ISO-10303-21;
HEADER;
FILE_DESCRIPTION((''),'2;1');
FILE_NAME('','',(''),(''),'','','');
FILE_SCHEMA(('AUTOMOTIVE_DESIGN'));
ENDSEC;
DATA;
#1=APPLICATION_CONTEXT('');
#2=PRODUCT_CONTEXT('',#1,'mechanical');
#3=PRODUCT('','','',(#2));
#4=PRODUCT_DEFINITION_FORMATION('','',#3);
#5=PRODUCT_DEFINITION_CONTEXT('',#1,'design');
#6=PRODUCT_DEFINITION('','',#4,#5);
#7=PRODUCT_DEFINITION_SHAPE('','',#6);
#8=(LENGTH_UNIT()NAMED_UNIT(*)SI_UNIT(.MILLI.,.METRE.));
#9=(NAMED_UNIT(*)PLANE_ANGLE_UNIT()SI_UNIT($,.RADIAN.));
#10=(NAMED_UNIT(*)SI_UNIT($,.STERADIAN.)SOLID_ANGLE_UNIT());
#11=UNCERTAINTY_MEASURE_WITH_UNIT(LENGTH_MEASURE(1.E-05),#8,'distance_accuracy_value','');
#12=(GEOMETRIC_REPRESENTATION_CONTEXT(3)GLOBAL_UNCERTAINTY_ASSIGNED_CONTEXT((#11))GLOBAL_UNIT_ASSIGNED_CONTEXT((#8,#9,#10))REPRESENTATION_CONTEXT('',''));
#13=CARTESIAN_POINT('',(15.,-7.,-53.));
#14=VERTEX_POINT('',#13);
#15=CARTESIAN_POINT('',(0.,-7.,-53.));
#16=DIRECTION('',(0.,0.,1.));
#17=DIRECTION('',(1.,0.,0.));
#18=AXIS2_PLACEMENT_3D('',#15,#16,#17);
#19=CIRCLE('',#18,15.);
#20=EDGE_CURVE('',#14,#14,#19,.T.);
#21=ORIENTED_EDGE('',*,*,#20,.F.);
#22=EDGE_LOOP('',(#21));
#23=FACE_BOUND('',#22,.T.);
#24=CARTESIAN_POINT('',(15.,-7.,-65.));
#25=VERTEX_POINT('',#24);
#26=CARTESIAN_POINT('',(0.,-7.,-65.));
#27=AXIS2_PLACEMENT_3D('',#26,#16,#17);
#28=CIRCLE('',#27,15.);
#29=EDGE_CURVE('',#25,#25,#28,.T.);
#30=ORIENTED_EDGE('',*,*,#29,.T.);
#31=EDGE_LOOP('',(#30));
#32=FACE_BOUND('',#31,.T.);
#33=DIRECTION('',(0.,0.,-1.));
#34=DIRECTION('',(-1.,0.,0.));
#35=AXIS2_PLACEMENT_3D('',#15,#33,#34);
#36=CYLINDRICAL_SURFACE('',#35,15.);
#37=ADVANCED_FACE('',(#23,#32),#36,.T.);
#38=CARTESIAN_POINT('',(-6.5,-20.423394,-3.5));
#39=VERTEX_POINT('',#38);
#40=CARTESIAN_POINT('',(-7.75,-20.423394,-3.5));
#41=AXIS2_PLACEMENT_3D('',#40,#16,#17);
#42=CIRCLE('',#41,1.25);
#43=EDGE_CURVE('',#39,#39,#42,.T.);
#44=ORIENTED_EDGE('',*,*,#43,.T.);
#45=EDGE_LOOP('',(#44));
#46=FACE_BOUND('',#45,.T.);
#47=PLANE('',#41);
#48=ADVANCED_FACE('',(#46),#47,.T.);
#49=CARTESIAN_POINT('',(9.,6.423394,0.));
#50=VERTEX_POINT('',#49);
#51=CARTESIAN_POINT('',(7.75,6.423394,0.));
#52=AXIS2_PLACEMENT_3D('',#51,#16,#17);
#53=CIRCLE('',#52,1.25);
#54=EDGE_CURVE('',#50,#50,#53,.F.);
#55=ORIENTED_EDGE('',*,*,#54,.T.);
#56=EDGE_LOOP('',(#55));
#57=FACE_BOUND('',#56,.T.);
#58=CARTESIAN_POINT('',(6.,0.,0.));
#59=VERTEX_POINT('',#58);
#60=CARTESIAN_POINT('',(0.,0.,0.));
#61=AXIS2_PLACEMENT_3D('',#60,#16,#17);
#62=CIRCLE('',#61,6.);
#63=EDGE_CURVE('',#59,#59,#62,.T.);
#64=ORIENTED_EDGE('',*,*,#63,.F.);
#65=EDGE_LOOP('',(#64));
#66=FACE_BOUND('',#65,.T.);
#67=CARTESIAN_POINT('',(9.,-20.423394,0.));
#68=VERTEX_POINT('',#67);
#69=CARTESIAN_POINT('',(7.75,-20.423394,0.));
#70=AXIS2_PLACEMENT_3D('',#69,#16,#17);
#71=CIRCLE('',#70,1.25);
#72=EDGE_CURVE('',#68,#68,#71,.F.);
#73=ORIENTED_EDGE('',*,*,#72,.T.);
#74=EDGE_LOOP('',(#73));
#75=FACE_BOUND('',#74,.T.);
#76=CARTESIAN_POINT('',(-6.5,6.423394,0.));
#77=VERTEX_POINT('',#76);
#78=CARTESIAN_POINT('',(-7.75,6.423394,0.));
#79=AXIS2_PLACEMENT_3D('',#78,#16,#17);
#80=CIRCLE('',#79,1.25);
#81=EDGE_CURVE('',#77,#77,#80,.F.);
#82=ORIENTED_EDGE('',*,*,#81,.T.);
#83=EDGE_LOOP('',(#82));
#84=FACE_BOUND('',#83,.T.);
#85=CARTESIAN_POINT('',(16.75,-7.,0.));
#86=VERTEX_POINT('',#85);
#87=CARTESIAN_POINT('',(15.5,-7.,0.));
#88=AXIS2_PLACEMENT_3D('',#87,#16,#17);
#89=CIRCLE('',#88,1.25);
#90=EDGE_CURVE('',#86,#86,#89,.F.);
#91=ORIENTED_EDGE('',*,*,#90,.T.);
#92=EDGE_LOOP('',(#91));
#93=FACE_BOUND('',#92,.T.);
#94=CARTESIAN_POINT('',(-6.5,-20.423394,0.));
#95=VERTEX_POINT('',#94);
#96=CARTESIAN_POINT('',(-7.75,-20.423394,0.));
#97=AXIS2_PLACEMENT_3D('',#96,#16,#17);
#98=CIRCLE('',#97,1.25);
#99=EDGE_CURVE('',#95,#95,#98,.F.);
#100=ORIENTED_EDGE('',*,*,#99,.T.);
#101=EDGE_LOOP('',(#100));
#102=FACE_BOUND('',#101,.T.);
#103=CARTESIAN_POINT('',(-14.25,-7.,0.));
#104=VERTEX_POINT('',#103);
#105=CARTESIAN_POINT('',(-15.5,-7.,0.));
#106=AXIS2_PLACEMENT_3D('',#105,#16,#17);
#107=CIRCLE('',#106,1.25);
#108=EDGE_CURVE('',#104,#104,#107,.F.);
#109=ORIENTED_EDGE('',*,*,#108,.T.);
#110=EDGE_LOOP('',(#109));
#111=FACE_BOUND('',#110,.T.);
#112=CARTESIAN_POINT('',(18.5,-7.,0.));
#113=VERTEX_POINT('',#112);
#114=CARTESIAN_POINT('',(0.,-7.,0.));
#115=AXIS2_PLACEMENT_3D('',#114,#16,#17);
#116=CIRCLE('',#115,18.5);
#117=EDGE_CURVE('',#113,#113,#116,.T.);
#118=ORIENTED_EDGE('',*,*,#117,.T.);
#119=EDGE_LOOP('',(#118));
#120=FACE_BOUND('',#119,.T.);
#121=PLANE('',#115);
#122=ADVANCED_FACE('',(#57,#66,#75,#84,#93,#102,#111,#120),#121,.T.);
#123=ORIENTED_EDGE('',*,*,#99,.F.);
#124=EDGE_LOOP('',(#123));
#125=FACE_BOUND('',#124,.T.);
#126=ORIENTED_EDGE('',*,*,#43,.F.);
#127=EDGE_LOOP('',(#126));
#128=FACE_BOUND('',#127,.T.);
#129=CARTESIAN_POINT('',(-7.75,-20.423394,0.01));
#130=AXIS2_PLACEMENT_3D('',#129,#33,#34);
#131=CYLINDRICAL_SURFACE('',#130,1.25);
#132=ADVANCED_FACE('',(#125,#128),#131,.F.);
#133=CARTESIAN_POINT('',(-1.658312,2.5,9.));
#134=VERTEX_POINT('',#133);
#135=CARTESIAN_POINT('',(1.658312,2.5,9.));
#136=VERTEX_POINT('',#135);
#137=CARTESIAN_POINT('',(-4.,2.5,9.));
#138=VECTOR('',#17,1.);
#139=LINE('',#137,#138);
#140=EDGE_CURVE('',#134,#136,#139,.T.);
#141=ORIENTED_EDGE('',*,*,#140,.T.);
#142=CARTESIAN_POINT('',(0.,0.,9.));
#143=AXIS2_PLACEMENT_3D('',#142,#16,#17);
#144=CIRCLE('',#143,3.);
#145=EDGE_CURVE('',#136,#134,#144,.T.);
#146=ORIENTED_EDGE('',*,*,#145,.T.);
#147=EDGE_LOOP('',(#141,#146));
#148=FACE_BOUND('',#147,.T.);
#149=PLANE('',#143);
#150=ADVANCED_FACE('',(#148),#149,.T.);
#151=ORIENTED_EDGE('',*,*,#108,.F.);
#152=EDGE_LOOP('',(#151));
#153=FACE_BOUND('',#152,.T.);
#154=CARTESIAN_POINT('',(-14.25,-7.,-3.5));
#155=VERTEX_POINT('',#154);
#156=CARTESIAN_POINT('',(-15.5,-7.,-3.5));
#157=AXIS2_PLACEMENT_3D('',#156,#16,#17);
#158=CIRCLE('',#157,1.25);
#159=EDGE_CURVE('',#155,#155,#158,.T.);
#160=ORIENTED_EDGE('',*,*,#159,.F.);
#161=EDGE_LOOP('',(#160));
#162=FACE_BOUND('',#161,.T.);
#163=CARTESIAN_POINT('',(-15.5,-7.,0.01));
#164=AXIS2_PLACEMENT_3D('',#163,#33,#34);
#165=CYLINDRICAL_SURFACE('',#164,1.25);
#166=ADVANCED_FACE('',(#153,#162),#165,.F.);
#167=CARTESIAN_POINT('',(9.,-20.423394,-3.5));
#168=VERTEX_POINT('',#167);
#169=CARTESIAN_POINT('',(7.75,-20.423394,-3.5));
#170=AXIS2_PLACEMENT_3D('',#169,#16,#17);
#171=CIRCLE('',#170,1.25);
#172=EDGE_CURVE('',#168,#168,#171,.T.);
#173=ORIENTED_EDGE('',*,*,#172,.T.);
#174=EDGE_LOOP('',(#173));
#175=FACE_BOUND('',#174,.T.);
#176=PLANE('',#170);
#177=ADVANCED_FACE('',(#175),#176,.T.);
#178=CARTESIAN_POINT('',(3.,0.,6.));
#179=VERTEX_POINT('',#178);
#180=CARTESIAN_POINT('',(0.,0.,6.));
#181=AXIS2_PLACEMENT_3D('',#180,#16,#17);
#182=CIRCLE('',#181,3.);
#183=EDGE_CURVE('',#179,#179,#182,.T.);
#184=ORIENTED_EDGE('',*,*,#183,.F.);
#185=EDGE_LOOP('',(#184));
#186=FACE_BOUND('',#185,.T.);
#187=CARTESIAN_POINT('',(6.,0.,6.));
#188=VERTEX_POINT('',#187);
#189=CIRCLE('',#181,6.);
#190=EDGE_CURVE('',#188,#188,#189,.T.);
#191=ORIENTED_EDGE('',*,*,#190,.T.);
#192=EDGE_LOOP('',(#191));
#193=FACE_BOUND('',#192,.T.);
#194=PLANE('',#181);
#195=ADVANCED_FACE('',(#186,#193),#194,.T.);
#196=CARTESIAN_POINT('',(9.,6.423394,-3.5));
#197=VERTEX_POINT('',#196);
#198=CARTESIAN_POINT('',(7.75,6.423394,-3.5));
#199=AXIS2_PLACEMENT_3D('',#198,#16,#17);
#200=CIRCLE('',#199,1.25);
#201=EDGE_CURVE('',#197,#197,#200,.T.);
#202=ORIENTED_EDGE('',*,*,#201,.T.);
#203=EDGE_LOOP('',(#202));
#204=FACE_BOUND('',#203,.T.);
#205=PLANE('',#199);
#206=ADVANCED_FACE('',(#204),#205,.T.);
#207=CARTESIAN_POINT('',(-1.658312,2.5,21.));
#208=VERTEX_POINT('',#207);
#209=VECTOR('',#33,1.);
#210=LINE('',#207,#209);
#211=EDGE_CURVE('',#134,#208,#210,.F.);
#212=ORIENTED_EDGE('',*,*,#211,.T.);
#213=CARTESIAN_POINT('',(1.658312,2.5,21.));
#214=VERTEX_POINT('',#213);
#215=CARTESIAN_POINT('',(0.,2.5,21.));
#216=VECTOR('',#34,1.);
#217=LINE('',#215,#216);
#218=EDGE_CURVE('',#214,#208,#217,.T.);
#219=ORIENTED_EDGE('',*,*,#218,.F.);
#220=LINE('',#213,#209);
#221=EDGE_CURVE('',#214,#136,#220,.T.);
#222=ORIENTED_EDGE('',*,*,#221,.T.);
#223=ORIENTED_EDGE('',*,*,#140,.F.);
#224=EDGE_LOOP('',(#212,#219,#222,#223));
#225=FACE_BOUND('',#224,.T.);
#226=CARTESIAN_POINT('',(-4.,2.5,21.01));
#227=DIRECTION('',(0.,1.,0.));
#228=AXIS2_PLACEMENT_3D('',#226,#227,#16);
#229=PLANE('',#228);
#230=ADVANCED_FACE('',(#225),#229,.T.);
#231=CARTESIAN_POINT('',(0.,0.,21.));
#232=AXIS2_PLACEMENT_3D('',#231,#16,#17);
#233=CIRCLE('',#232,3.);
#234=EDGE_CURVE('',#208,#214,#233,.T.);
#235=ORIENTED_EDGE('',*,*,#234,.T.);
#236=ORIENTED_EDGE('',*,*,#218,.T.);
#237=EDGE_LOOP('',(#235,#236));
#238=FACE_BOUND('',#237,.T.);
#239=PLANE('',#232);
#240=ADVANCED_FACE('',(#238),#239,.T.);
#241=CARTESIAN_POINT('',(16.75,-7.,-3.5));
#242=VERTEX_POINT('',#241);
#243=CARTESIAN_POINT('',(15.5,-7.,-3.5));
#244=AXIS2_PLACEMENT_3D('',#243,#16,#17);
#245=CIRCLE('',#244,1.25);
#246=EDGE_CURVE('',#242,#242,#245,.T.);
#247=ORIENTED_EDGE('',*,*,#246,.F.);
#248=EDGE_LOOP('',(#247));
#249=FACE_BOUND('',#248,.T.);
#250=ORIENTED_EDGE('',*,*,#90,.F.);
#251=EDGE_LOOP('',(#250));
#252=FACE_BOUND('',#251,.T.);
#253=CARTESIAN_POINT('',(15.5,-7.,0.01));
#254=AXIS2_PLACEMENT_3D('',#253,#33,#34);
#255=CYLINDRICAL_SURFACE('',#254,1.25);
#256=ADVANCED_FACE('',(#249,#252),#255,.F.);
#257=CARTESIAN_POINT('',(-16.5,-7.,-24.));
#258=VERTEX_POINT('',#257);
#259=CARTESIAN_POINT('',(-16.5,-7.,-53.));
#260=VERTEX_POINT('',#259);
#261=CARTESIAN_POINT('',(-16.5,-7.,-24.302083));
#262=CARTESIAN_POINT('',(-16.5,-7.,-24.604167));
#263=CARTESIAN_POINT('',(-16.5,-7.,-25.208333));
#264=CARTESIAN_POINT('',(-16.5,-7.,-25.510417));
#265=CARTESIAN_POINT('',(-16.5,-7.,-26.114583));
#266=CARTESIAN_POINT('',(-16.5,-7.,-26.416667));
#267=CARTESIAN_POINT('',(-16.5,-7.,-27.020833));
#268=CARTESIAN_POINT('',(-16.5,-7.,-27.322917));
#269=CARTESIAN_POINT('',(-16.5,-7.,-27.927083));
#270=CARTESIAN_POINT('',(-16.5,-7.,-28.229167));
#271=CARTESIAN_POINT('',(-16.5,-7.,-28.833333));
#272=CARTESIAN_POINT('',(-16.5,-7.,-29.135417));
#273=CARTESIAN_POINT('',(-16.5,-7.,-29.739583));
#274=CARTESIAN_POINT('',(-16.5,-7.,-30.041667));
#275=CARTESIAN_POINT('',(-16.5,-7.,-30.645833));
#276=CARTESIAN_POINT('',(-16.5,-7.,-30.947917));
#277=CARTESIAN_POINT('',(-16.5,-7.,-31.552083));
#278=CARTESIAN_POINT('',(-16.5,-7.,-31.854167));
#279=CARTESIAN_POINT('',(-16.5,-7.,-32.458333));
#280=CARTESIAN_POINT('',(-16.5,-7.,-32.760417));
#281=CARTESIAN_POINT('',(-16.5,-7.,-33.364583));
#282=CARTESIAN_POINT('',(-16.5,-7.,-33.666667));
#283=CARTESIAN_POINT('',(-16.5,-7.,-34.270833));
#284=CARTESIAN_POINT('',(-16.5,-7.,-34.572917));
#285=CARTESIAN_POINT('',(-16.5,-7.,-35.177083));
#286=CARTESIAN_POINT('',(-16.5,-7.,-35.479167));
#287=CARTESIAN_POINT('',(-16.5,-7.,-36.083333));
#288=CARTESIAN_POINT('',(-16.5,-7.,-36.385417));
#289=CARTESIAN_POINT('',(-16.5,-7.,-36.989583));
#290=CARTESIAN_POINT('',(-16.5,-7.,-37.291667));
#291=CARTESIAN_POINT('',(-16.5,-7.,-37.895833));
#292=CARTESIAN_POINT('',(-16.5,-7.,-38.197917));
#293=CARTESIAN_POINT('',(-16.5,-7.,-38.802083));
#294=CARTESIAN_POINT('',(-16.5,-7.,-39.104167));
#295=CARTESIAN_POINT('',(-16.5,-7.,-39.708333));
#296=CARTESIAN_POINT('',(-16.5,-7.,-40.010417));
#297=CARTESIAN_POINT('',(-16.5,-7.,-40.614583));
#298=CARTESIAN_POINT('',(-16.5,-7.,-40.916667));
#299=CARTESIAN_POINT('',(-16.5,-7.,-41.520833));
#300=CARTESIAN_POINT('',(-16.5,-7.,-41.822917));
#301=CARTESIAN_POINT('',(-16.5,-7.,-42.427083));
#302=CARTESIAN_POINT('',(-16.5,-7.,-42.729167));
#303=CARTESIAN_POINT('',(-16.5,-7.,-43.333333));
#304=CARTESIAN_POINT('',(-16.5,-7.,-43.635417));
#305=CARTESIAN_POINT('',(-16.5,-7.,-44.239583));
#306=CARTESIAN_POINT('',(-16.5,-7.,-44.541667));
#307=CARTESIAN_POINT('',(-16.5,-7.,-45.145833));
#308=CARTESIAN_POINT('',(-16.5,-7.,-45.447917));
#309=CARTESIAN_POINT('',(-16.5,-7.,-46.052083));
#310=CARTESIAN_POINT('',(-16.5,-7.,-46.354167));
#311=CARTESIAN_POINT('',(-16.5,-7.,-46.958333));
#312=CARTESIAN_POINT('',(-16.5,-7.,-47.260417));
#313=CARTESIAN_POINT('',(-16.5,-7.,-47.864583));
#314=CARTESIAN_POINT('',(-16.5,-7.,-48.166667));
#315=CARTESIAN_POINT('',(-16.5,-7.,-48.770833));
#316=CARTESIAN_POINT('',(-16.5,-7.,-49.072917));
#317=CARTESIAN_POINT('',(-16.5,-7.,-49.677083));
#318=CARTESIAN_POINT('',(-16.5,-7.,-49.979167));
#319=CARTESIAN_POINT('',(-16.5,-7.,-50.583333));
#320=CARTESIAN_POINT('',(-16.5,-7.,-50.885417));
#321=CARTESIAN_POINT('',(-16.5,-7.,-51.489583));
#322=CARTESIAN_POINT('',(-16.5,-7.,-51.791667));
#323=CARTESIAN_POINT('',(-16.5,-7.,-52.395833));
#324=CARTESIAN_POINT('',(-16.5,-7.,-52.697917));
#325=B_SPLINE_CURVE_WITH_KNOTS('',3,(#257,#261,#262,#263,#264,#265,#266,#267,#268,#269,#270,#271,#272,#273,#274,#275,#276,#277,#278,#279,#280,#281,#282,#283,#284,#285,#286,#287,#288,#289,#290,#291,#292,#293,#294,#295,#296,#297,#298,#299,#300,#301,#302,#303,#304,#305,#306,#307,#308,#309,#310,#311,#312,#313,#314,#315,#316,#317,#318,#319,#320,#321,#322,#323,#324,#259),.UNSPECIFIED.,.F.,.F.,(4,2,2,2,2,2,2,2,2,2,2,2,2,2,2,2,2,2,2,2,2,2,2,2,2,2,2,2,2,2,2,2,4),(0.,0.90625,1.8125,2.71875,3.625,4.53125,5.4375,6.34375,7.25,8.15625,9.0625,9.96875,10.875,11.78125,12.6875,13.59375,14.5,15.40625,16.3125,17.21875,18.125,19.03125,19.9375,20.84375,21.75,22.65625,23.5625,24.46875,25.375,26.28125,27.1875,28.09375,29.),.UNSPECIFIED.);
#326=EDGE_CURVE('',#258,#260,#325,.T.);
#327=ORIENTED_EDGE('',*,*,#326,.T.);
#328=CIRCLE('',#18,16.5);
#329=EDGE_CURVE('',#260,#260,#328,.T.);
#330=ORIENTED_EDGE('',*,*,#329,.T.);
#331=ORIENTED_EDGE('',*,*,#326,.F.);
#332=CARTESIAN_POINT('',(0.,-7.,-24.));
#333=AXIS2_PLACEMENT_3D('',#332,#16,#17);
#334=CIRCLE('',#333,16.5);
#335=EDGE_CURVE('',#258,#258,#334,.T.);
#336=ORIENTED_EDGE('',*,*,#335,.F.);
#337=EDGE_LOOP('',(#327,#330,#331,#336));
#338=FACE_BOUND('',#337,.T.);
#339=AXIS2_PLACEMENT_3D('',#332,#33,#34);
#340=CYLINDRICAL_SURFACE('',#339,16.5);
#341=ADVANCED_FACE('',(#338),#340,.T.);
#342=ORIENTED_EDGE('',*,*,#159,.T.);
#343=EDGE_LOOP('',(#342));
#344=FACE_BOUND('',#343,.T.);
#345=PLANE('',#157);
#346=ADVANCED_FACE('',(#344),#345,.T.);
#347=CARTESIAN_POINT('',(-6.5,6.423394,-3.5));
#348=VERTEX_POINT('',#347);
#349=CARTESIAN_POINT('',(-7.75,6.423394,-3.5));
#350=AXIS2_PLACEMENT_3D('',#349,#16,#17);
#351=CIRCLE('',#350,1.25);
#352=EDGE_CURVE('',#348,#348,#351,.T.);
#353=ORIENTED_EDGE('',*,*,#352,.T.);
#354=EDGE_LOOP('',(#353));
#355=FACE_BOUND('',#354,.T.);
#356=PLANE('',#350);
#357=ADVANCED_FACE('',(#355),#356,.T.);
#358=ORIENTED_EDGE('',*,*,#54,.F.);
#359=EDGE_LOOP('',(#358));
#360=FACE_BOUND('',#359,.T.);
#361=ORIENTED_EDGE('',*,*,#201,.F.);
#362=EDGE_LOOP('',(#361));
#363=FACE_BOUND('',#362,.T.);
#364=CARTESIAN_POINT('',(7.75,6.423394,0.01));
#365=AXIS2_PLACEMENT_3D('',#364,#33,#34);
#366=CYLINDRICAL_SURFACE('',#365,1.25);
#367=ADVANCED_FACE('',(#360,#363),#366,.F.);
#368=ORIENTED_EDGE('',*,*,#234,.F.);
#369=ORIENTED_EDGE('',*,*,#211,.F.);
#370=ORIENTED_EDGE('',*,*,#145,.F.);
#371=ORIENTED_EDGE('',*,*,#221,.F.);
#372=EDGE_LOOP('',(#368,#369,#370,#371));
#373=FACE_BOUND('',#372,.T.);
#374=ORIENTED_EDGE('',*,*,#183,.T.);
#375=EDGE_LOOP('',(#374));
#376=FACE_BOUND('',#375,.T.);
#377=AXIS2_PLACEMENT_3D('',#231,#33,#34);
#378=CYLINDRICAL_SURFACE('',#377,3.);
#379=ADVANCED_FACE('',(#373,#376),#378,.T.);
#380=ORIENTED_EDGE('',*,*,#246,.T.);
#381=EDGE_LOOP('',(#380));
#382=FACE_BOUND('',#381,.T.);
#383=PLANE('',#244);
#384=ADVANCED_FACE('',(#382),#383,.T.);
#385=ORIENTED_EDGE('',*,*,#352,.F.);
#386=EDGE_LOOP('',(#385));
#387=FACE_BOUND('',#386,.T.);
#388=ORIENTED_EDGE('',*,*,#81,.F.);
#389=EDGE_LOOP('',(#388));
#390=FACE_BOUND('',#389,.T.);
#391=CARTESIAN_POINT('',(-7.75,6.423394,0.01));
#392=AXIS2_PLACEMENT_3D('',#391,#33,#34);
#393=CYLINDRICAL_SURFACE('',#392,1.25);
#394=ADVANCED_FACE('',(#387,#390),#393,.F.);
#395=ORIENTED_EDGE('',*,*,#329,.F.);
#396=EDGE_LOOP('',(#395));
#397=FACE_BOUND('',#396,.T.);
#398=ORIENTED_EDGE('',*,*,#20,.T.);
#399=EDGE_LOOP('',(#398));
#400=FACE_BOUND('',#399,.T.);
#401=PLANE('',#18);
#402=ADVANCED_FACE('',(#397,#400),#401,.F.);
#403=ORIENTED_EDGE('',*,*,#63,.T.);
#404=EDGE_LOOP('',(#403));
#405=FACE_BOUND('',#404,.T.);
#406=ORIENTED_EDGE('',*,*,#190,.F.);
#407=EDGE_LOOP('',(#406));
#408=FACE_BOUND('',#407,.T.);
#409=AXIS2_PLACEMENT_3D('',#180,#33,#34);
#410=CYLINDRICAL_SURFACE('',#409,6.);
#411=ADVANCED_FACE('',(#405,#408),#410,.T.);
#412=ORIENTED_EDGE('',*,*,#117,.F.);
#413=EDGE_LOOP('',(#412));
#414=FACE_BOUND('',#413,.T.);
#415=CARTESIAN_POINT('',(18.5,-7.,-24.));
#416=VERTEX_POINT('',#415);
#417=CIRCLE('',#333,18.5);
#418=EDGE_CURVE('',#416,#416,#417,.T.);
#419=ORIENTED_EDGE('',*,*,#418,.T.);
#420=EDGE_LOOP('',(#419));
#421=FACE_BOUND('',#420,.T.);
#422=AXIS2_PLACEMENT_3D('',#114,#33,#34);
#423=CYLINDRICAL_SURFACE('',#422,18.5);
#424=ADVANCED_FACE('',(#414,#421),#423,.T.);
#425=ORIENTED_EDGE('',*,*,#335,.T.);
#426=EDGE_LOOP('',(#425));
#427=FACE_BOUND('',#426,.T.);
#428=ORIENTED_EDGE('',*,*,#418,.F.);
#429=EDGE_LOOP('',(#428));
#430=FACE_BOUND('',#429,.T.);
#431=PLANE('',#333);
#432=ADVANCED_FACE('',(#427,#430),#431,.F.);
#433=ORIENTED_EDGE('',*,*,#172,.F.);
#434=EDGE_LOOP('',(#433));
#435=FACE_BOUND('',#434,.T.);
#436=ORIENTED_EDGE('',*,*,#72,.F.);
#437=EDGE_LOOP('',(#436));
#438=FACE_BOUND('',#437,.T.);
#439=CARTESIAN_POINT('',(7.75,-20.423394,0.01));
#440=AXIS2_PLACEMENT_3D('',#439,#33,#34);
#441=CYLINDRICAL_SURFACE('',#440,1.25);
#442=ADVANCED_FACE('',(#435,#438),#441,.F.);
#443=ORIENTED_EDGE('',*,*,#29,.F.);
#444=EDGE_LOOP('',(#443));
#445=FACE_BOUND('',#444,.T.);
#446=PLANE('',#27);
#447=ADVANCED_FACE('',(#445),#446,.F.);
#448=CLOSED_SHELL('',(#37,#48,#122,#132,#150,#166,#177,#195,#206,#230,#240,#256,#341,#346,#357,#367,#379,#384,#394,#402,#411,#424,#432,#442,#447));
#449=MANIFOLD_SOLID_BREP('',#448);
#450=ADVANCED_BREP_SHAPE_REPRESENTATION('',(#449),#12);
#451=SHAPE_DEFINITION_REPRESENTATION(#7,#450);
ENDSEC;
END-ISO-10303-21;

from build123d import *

# Parameters (mm, degrees)
GEARBOX_START          = -24
PROFILE_1_R            = 18.5
GEARBOX_DEPTH          = 24
THREAD_PILOTS_START    = -3.5
PROFILE_2_R            = 1.25
THREAD_PILOTS_DEPTH    = 3.51
ARMATURE_START         = -53
PROFILE_3_R            = 16.5
ARMATURE_DEPTH         = 29
ENCODER_ENVELOPE_START = -65
PROFILE_4_R            = 15
ENCODER_ENVELOPE_DEPTH = 12
PROFILE_5_R            = 6
NOSE_DEPTH             = 6
OUTPUT_START           = 6
PROFILE_6_R            = 3
OUTPUT_DEPTH           = 15
D_FLAT_START           = 9
PROFILE_7_W            = 8
PROFILE_7_H            = 1.5
D_FLAT_DEPTH           = 12.01


with BuildPart() as part:
    # Profile_1 → Gearbox (new body)
    with BuildSketch(Plane.XY.offset(GEARBOX_START)):
        with Locations((0, -7)):
            Circle(PROFILE_1_R)
    extrude(amount=GEARBOX_DEPTH)

    # Profile_2 → Thread_pilots (cut)
    with BuildSketch(Plane.XY.offset(THREAD_PILOTS_START)):
        with Locations((15.5, -7)):
            Circle(PROFILE_2_R)
        with Locations((7.75, 6.423393759)):
            Circle(PROFILE_2_R)
        with Locations((-7.75, 6.423393759)):
            Circle(PROFILE_2_R)
        with Locations((-15.5, -7)):
            Circle(PROFILE_2_R)
        with Locations((-7.75, -20.423393759)):
            Circle(PROFILE_2_R)
        with Locations((7.75, -20.423393759)):
            Circle(PROFILE_2_R)
    extrude(amount=THREAD_PILOTS_DEPTH, mode=Mode.SUBTRACT)

    # Profile_3 → Armature (add)
    with BuildSketch(Plane.XY.offset(ARMATURE_START)):
        with Locations(Location((0, -7, 0), (0, 0, 180))):
            Circle(PROFILE_3_R)
    extrude(amount=ARMATURE_DEPTH)

    # Profile_4 → Encoder_envelope (add)
    with BuildSketch(Plane.XY.offset(ENCODER_ENVELOPE_START)):
        with Locations((0, -7)):
            Circle(PROFILE_4_R)
    extrude(amount=ENCODER_ENVELOPE_DEPTH)

    # Profile_5 → Nose (add)
    with BuildSketch(Plane.XY):
        Circle(PROFILE_5_R)
    extrude(amount=NOSE_DEPTH)

    # Profile_6 → Output (add)
    with BuildSketch(Plane.XY.offset(OUTPUT_START)):
        Circle(PROFILE_6_R)
    extrude(amount=OUTPUT_DEPTH)

    # Profile_7 → D_flat (cut)
    with BuildSketch(Plane.XY.offset(D_FLAT_START)):
        with Locations((0, 3.25)):
            Rectangle(PROFILE_7_W, PROFILE_7_H)
    extrude(amount=D_FLAT_DEPTH, mode=Mode.SUBTRACT)


solid = part.part
